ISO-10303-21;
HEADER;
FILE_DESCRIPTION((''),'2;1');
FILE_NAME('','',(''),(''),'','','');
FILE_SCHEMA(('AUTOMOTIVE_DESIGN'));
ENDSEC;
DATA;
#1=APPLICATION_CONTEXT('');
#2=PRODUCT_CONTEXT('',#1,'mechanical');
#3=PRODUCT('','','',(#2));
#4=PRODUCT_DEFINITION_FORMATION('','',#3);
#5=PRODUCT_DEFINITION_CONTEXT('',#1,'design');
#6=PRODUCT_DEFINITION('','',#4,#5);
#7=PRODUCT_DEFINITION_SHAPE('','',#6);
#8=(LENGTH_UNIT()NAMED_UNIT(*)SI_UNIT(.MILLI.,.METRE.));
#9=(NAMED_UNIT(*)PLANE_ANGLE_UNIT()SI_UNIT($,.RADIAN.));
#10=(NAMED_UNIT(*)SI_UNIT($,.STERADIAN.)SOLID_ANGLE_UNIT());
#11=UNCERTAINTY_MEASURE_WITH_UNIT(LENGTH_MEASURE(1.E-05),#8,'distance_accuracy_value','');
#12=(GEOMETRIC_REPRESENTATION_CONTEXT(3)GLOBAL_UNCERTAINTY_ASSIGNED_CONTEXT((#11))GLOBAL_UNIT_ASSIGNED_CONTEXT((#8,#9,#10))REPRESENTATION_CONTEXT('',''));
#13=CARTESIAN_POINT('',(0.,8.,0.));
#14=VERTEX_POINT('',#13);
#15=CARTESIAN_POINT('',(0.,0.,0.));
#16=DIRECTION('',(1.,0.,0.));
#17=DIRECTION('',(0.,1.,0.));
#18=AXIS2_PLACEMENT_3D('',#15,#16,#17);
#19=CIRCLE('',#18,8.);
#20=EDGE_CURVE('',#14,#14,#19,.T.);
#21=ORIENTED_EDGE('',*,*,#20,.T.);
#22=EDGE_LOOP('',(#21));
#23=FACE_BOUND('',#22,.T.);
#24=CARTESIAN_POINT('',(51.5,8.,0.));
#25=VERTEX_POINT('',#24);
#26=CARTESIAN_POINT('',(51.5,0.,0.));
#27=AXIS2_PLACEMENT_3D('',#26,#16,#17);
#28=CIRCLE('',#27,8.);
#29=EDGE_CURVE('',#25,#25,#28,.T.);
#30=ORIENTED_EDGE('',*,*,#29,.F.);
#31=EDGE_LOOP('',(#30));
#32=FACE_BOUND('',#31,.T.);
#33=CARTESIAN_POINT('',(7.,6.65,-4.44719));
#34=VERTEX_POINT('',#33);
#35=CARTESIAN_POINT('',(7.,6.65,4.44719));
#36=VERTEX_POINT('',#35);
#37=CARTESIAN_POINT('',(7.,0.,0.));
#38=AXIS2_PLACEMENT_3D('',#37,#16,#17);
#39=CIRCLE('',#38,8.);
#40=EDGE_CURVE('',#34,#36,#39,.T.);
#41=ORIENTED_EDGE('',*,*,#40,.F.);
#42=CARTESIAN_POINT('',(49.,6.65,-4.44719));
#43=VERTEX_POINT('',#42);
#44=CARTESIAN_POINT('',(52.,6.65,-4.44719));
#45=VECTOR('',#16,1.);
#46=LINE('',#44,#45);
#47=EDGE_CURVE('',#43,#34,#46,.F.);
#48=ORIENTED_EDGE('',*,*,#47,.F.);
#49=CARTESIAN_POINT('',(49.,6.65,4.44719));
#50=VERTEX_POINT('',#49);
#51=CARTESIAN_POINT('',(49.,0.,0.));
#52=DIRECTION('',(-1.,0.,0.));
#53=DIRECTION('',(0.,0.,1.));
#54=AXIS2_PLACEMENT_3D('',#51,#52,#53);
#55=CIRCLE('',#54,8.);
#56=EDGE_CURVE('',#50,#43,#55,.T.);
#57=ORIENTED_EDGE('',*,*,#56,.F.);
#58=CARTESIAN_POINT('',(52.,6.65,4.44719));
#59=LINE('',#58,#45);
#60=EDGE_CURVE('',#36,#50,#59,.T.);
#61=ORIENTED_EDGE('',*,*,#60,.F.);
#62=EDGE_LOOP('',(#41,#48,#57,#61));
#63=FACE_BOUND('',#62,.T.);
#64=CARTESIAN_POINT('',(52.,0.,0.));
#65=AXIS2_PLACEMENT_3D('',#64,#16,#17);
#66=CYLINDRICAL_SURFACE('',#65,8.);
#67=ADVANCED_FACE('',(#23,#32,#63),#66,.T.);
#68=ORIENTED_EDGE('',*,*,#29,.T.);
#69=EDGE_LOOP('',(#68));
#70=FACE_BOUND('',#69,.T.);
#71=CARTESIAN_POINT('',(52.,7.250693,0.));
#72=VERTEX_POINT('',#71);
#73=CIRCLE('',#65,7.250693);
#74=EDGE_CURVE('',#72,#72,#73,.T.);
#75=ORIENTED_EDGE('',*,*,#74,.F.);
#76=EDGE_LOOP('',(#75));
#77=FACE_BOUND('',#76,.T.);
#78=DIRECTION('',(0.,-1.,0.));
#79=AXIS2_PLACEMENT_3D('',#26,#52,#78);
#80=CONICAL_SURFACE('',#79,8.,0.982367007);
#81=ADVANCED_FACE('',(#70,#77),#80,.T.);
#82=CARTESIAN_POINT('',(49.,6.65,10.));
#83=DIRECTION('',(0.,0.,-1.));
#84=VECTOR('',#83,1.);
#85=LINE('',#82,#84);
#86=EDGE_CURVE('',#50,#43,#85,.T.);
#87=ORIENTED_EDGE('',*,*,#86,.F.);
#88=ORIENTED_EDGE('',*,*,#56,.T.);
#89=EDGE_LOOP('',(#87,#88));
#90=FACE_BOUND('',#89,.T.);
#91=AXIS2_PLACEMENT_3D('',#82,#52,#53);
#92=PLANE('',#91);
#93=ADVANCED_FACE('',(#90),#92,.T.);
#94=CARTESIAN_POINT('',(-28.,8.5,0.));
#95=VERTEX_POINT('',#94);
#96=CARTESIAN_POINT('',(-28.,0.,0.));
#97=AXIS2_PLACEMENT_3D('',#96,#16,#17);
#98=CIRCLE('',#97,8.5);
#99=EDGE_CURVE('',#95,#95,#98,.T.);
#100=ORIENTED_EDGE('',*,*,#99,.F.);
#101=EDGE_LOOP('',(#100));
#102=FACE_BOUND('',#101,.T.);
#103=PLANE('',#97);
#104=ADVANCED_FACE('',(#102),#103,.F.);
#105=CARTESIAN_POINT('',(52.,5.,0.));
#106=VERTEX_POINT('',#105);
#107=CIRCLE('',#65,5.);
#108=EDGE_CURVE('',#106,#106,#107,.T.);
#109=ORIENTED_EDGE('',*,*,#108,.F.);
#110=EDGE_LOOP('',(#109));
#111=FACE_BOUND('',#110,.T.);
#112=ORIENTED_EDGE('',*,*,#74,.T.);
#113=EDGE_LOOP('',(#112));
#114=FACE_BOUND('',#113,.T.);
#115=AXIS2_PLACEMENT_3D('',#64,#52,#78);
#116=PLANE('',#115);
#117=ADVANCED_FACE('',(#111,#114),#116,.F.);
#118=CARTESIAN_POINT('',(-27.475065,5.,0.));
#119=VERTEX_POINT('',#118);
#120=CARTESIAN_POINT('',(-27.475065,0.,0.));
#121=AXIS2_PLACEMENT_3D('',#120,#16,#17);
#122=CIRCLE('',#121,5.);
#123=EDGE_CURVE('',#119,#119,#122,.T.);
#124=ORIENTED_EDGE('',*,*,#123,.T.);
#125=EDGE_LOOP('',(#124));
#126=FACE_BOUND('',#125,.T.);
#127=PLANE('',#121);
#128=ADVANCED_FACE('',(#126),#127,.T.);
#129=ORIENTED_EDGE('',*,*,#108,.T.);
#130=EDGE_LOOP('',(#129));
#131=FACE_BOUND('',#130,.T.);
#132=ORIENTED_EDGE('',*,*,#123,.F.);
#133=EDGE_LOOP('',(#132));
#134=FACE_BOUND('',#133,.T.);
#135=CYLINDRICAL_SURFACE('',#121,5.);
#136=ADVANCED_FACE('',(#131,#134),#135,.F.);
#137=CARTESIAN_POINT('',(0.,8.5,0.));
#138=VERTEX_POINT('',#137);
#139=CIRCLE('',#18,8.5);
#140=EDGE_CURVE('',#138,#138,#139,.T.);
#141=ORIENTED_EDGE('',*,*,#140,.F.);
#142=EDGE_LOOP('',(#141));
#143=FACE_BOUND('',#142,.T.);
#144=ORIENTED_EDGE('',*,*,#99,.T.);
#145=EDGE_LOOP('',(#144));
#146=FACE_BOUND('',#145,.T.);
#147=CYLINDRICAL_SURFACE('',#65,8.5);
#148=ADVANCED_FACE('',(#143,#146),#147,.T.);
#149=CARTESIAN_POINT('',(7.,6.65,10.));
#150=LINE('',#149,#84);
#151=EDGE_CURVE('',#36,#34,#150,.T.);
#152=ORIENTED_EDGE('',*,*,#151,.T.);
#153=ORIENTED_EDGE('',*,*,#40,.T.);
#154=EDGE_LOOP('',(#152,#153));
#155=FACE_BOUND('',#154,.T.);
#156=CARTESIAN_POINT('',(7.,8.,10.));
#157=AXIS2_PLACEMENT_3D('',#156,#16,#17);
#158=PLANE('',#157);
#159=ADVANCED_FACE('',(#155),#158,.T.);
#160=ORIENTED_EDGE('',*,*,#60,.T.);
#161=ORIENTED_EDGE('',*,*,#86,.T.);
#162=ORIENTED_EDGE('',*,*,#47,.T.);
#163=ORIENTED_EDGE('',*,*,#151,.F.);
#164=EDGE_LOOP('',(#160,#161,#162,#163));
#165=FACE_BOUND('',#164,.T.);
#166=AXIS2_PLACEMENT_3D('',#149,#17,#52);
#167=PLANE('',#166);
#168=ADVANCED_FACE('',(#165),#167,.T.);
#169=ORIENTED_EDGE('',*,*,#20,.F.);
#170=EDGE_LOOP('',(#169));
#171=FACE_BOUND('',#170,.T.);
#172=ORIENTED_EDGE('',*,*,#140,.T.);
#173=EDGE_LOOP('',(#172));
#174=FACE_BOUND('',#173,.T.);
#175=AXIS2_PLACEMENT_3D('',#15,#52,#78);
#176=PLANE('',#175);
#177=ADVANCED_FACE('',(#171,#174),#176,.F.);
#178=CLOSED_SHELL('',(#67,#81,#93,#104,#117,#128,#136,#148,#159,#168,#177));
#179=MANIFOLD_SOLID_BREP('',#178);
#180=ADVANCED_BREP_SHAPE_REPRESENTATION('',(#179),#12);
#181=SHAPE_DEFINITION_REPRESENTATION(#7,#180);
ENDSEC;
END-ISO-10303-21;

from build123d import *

# Parameters (mm, degrees)
SKETCH2_W               = 42
SKETCH2_H               = 1.35
CUT_EXTRUDE1_DEPTH      = 10
CUT_EXTRUDE1_DEPTH_BACK = 10
SKETCH3_R               = 5
CUT_EXTRUDE2_DEPTH      = 79.475065146


with BuildPart() as part:
    # Sketch1 → Revolve1 (revolve)
    with BuildSketch(Plane.XY):
        Polygon((7, 8), (49, 8), (51.5, 8), (52, 7.25069297), (52, 0), (-28, 0), (-28, 8.5), (0, 8.5), (0, 8), align=None)
    revolve(axis=Axis((52, 0, 0), (-1, 0, 0)))

    # Sketch2 → Cut-Extrude1 (cut, two sides)
    with BuildSketch(Plane.XY) as cut_extrude1_sk:
        with Locations((28, 7.325)):
            Rectangle(SKETCH2_W, SKETCH2_H)
    extrude(amount=CUT_EXTRUDE1_DEPTH, mode=Mode.SUBTRACT)
    extrude(cut_extrude1_sk.sketch, amount=-CUT_EXTRUDE1_DEPTH_BACK, mode=Mode.SUBTRACT)

    # Sketch3 → Cut-Extrude2 (cut)
    with BuildSketch(Plane(origin=(52, 0, 0), x_dir=(0, 0, -1), z_dir=(1, 0, 0))):
        with Locations(Location((0, 0, 0), (0, 0, 90))):  # turned: the seam where the file's is
            Circle(SKETCH3_R)
    extrude(amount=-CUT_EXTRUDE2_DEPTH, mode=Mode.SUBTRACT)


solid = part.part
